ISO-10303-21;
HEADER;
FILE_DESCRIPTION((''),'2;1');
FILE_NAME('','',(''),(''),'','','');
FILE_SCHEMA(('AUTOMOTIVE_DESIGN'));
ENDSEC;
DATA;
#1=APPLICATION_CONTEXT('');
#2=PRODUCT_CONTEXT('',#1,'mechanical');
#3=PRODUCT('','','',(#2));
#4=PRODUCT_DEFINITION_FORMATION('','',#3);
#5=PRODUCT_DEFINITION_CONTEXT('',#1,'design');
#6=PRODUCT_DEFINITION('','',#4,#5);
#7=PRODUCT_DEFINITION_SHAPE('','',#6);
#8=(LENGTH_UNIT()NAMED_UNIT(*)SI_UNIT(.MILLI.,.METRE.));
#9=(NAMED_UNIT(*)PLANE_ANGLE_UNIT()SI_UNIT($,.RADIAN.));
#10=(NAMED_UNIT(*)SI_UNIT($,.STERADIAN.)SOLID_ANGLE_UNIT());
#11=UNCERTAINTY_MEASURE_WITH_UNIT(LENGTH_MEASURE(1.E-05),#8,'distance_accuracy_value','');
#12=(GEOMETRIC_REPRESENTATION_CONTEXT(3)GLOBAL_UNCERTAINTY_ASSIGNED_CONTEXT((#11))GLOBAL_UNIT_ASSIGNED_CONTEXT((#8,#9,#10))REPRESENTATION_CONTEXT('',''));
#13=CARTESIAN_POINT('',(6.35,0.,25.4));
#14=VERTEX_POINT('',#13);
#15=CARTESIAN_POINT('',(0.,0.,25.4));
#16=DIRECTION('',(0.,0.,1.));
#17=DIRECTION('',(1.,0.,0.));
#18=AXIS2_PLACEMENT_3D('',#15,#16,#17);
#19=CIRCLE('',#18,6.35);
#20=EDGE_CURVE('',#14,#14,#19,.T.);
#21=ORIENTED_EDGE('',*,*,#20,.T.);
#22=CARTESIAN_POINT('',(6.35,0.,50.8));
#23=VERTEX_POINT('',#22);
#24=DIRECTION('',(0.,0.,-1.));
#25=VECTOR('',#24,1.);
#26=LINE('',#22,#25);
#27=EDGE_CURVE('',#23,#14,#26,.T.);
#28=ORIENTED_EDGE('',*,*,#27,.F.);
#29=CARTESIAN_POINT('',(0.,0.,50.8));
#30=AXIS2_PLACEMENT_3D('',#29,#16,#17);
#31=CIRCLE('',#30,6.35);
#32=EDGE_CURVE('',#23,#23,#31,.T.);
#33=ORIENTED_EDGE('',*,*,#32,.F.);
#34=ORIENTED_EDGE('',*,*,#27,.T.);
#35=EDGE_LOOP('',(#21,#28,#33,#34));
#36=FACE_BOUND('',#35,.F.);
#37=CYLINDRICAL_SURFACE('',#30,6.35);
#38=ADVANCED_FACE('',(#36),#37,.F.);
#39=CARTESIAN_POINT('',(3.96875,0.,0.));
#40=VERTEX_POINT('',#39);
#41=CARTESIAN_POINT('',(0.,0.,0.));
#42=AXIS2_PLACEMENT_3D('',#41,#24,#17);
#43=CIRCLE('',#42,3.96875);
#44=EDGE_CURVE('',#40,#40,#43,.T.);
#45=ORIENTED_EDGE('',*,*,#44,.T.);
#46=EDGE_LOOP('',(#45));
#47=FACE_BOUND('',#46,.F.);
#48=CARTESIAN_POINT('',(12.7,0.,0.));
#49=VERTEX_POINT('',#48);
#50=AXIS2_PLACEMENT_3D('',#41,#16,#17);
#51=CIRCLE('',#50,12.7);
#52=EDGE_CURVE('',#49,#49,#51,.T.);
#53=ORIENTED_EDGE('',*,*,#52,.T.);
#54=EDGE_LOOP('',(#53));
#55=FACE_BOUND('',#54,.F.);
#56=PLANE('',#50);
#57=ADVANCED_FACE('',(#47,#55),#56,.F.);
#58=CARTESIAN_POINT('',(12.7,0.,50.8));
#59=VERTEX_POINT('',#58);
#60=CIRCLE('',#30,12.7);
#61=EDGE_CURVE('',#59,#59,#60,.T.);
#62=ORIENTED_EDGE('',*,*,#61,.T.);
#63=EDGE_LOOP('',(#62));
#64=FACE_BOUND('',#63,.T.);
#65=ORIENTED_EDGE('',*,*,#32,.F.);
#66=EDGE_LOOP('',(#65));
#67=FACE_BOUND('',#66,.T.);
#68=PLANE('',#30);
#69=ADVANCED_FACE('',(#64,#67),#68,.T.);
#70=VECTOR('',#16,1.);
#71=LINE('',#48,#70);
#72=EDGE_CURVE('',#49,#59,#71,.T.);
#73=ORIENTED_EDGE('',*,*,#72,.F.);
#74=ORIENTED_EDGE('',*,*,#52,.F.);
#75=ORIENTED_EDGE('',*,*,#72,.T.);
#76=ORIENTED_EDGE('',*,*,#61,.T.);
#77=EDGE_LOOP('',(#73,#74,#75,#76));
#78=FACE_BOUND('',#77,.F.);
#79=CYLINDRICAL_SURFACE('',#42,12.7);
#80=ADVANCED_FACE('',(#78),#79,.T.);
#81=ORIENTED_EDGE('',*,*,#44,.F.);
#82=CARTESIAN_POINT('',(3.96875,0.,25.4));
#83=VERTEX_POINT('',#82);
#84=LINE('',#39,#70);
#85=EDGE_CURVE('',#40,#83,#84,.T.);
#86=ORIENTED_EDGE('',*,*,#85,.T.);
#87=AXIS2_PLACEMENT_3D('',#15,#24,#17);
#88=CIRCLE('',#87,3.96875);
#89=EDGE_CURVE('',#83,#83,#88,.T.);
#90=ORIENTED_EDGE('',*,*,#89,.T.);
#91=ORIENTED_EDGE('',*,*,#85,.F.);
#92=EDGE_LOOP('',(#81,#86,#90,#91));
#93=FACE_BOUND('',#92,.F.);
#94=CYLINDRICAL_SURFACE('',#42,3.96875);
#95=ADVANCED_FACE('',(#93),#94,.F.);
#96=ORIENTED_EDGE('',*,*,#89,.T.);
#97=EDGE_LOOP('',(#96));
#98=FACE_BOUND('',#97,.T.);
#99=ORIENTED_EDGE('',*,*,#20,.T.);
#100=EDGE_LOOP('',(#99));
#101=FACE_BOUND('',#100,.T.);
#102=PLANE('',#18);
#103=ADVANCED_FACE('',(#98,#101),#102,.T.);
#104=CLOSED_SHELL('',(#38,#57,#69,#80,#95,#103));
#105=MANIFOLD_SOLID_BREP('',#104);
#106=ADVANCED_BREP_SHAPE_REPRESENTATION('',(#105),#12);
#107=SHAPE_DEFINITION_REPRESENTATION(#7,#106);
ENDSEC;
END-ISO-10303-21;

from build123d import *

# Parameters (mm, degrees)
F0_R     = 12.7
F1_DEPTH = 50.8
F2_DEPTH = 50.8
F3_R     = 6.35
F4_DEPTH = 25.4
F5_R     = 3.96875
F6_DEPTH = 25.4


with BuildPart() as f1:
    # F0 (on Top) → F1 (new body)
    with BuildSketch(Plane.XY):
        Circle(F0_R)
    extrude(amount=F1_DEPTH)

    # F0 (on Top) → F2 (join)
    with BuildSketch(Plane.XY):
        Circle(F0_R)
    extrude(amount=F2_DEPTH)

    # F3 (on face) → F4 (cut)
    with BuildSketch(Plane.XY.offset(50.8)):
        Circle(F3_R)
    extrude(amount=-F4_DEPTH, mode=Mode.SUBTRACT)

    # F5 (on face) → F6 (cut)
    with BuildSketch(Plane(origin=(0, 0, 0), x_dir=(1, 0, 0), z_dir=(0, 0, -1))):
        Circle(F5_R)
    extrude(amount=-F6_DEPTH, mode=Mode.SUBTRACT)


solid = f1.part
